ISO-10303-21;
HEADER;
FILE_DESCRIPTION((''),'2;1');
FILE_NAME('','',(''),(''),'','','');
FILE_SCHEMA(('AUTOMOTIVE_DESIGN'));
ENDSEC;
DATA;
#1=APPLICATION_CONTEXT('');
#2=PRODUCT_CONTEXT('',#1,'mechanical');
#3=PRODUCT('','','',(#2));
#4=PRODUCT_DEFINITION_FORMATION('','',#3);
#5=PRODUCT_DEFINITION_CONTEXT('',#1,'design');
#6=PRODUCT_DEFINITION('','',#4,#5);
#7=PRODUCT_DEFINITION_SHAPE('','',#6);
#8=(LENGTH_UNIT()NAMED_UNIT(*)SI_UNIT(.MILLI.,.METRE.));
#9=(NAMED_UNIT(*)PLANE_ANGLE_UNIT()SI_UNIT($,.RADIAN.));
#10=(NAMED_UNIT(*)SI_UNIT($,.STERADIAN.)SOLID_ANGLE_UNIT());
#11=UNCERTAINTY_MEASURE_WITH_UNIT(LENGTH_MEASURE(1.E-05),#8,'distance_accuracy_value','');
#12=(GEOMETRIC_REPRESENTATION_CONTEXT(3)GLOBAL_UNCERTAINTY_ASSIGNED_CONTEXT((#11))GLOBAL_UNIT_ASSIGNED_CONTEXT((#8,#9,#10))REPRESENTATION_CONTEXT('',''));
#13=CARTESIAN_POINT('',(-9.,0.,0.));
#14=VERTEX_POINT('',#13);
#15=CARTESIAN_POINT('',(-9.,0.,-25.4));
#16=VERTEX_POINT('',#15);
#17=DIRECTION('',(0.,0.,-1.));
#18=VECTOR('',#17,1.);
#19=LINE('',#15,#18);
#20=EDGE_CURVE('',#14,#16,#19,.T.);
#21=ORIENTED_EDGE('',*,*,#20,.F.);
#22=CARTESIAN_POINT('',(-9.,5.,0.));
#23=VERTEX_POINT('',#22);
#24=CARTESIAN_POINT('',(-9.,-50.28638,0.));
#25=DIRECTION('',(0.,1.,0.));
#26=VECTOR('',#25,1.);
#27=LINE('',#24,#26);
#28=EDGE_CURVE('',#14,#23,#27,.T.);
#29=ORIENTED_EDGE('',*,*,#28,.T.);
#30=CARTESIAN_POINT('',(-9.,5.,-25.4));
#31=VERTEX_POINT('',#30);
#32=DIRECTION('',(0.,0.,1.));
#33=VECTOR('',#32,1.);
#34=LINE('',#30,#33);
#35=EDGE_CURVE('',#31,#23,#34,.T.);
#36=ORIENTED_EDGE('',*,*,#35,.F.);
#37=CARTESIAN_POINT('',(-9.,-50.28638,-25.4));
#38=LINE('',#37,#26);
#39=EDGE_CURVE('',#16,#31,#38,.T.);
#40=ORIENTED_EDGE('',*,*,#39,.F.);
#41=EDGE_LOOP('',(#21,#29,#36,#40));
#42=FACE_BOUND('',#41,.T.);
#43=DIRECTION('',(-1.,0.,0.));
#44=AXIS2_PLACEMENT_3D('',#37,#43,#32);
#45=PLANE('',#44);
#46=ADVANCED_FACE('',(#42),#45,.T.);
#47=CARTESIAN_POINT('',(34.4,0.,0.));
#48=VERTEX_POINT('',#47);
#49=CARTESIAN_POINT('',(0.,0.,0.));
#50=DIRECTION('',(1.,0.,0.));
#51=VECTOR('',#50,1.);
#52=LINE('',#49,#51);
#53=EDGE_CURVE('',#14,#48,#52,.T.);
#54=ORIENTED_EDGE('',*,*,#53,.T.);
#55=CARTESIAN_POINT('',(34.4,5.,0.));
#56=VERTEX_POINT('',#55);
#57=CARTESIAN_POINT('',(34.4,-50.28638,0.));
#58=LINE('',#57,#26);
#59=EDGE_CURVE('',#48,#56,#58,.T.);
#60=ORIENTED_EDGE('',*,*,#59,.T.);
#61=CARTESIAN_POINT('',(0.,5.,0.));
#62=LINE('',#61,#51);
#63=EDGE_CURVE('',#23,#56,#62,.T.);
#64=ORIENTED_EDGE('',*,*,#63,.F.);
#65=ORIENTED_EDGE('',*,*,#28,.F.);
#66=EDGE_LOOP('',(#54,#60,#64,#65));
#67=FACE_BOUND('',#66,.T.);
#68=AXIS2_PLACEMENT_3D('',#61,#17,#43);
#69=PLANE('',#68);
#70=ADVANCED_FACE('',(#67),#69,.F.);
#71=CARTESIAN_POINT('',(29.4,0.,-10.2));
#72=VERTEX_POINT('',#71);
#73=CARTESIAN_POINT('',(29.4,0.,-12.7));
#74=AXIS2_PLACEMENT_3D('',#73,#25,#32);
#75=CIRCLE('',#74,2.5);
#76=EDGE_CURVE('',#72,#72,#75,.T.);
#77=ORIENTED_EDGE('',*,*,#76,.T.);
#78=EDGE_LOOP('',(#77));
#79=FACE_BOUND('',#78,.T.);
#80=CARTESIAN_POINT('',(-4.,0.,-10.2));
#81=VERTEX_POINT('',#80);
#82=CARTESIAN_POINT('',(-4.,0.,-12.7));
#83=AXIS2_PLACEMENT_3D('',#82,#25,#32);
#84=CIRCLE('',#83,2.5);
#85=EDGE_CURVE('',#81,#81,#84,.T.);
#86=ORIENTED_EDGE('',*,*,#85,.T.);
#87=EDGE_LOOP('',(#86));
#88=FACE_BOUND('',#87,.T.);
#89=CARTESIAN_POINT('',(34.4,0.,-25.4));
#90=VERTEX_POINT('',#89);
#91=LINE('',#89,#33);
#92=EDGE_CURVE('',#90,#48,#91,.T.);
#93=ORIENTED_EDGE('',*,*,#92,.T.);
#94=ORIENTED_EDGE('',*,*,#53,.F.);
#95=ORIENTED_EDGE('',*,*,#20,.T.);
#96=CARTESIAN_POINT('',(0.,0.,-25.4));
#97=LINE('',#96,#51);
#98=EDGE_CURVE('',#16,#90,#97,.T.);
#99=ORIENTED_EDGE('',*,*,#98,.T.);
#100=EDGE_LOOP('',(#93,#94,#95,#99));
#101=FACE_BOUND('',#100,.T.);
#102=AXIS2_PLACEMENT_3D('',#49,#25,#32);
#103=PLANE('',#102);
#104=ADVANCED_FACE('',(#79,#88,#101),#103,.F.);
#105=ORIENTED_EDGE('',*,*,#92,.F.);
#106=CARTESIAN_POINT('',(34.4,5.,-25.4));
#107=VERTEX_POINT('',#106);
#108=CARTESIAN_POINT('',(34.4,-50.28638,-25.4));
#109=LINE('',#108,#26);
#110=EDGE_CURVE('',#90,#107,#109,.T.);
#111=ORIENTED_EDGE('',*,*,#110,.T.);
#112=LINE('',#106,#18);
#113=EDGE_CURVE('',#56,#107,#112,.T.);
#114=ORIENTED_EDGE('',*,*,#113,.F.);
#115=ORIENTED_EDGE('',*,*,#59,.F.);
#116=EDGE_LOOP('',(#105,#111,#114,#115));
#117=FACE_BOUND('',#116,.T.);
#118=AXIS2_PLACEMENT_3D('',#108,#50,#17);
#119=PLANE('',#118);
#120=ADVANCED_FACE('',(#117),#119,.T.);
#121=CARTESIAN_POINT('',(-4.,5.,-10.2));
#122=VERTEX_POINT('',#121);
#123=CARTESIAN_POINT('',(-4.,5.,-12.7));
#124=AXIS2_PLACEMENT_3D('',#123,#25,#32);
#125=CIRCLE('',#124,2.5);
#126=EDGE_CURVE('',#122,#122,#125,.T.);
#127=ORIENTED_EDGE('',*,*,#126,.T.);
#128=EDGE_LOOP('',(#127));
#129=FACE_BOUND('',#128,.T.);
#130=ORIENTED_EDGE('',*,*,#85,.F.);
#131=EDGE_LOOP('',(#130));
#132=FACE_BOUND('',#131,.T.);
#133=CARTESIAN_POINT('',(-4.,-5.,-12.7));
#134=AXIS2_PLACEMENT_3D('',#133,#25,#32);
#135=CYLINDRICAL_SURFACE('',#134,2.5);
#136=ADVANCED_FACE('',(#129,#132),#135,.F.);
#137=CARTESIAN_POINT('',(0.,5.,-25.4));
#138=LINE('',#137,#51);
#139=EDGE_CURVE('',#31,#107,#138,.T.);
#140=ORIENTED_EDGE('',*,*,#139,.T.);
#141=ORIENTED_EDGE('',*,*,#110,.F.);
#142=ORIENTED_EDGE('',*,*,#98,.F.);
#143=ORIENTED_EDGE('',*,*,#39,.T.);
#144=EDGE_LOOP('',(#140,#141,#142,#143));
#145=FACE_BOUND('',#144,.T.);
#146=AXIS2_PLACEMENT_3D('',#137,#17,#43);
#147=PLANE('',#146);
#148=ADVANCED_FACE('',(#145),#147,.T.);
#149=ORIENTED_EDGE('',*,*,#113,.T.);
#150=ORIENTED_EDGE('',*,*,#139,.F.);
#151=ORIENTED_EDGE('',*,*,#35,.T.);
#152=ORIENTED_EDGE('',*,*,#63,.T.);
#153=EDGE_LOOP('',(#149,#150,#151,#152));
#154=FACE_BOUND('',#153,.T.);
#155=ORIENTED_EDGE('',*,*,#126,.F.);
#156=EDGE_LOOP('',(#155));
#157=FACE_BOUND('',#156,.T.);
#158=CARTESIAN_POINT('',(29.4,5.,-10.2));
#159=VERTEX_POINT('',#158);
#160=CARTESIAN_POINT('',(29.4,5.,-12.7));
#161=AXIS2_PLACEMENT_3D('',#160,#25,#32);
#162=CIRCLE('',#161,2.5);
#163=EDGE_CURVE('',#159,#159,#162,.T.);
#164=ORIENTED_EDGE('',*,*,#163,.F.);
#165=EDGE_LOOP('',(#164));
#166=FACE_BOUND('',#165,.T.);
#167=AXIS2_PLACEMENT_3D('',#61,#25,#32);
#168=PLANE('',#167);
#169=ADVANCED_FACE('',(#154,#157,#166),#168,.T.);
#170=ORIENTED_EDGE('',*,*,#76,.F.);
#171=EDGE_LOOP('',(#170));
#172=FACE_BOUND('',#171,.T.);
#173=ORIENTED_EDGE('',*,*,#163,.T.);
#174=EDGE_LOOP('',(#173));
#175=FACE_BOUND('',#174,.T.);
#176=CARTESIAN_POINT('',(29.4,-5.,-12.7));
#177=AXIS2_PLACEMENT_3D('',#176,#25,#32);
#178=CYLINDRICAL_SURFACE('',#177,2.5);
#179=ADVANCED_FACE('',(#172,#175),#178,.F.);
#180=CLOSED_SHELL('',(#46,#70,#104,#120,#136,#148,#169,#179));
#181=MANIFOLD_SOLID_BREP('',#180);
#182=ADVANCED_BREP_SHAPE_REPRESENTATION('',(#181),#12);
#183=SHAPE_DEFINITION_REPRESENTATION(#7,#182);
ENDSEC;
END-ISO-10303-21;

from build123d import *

# Parameters (mm, degrees)
SKETCH2_W           = 25.4
SKETCH2_H           = 25.4
BOSS_EXTRUDE6_DEPTH = 5
BOSS_EXTRUDE7_DEPTH = 5
FILLET1_R           = 5
SKETCH5_R           = 1
CUT_EXTRUDE1_DEPTH  = 5
SKETCH6_W           = 28.098270468
SKETCH6_H           = 9.80175879
CUT_EXTRUDE2_DEPTH  = 49.905214446
SKETCH7_W           = 43.4
SKETCH7_H           = 25.4
SKETCH7_R           = 2.5
BOSS_EXTRUDE8_DEPTH = 5
SKETCH8_R           = 2.5
CUT_EXTRUDE3_DEPTH  = 10


with BuildPart() as part:
    # Sketch2 → Boss-Extrude6 (new body)
    with BuildSketch(Plane(origin=(0, 0, 0), x_dir=(1, 0, 0), z_dir=(0, 1, 0))):
        with Locations((12.7, 12.7)):
            Rectangle(SKETCH2_W, SKETCH2_H)
    extrude(amount=BOSS_EXTRUDE6_DEPTH)

    # Sketch4 → Boss-Extrude7 (add)
    with BuildSketch(Plane.XZ):
        with BuildLine():
            Line((25.4, 0), (25.4, -9.7))
            ThreePointArc((25.4, -9.7), (34.4, -12.7), (25.4, -15.7))
            Line((25.4, -15.7), (25.4, -25.4))
            Line((25.4, -25.4), (15.7, -25.4))
            ThreePointArc((15.7, -25.4), (12.7, -34.4), (9.7, -25.4))
            Line((9.7, -25.4), (0, -25.4))
            Line((0, -25.4), (0, -15.7))
            ThreePointArc((0, -15.7), (-9, -12.7), (0, -9.7))
            Line((0, -9.7), (0, 0))
            Line((0, 0), (9.7, 0))
            Line((9.7, 0), (15.7, 0))
            Line((15.7, 0), (25.4, 0))
        make_face()
    extrude(amount=-BOSS_EXTRUDE7_DEPTH)

    # Fillet1
    fillet1_edges = [part.edges().sort_by_distance(p)[0] for p in [
        (25.4, 2.5, -9.7),
        (25.4, 2.5, -15.7),
        (15.7, 2.5, -25.4),
        (9.7, 2.5, -25.4),
        (0, 2.5, -15.7),
        (0, 2.5, -9.7),
    ]]
    fillet(fillet1_edges, radius=FILLET1_R)

    # Sketch5 → Cut-Extrude1 (cut)
    with BuildSketch(Plane(origin=(0, 5, 0), x_dir=(1, 0, 0), z_dir=(0, 1, 0))):
        with Locations(Location((-4, 12.7, 0), (0, 0, 270))):
            Circle(SKETCH5_R)
        with Locations(Location((12.7, 29.4, 0), (0, 0, 270))):
            Circle(SKETCH5_R)
        with Locations(Location((29.4, 12.7, 0), (0, 0, 270))):
            Circle(SKETCH5_R)
    extrude(amount=-CUT_EXTRUDE1_DEPTH, mode=Mode.SUBTRACT)

    # Sketch6 → Cut-Extrude2 (cut, through all)
    with BuildSketch(Plane(origin=(0, 5, 0), x_dir=(1, 0, 0), z_dir=(0, 1, 0))):
        with Locations((14.049135234, 30.300879395)):
            Rectangle(SKETCH6_W, SKETCH6_H)
    extrude(amount=-CUT_EXTRUDE2_DEPTH, mode=Mode.SUBTRACT)

    # Sketch7 → Boss-Extrude8 (add)
    with BuildSketch(Plane(origin=(0, 5, 0), x_dir=(1, 0, 0), z_dir=(0, 1, 0))):
        with Locations((12.7, 12.7)):
            Rectangle(SKETCH7_W, SKETCH7_H)
        with Locations((-4, 12.7)):
            Circle(SKETCH7_R, mode=Mode.SUBTRACT)
        with Locations((29.4, 12.7)):
            Circle(SKETCH7_R, mode=Mode.SUBTRACT)
    extrude(amount=-BOSS_EXTRUDE8_DEPTH)

    # Sketch8 → Cut-Extrude3 (cut)
    with BuildSketch(Plane(origin=(0, 5, 0), x_dir=(1, 0, 0), z_dir=(0, 1, 0))):
        with Locations(Location((-4, 12.7, 0), (0, 0, 270))):
            Circle(SKETCH8_R)
        with Locations(Location((29.4, 12.7, 0), (0, 0, 270))):
            Circle(SKETCH8_R)
    extrude(amount=-CUT_EXTRUDE3_DEPTH, mode=Mode.SUBTRACT)


solid = part.part
